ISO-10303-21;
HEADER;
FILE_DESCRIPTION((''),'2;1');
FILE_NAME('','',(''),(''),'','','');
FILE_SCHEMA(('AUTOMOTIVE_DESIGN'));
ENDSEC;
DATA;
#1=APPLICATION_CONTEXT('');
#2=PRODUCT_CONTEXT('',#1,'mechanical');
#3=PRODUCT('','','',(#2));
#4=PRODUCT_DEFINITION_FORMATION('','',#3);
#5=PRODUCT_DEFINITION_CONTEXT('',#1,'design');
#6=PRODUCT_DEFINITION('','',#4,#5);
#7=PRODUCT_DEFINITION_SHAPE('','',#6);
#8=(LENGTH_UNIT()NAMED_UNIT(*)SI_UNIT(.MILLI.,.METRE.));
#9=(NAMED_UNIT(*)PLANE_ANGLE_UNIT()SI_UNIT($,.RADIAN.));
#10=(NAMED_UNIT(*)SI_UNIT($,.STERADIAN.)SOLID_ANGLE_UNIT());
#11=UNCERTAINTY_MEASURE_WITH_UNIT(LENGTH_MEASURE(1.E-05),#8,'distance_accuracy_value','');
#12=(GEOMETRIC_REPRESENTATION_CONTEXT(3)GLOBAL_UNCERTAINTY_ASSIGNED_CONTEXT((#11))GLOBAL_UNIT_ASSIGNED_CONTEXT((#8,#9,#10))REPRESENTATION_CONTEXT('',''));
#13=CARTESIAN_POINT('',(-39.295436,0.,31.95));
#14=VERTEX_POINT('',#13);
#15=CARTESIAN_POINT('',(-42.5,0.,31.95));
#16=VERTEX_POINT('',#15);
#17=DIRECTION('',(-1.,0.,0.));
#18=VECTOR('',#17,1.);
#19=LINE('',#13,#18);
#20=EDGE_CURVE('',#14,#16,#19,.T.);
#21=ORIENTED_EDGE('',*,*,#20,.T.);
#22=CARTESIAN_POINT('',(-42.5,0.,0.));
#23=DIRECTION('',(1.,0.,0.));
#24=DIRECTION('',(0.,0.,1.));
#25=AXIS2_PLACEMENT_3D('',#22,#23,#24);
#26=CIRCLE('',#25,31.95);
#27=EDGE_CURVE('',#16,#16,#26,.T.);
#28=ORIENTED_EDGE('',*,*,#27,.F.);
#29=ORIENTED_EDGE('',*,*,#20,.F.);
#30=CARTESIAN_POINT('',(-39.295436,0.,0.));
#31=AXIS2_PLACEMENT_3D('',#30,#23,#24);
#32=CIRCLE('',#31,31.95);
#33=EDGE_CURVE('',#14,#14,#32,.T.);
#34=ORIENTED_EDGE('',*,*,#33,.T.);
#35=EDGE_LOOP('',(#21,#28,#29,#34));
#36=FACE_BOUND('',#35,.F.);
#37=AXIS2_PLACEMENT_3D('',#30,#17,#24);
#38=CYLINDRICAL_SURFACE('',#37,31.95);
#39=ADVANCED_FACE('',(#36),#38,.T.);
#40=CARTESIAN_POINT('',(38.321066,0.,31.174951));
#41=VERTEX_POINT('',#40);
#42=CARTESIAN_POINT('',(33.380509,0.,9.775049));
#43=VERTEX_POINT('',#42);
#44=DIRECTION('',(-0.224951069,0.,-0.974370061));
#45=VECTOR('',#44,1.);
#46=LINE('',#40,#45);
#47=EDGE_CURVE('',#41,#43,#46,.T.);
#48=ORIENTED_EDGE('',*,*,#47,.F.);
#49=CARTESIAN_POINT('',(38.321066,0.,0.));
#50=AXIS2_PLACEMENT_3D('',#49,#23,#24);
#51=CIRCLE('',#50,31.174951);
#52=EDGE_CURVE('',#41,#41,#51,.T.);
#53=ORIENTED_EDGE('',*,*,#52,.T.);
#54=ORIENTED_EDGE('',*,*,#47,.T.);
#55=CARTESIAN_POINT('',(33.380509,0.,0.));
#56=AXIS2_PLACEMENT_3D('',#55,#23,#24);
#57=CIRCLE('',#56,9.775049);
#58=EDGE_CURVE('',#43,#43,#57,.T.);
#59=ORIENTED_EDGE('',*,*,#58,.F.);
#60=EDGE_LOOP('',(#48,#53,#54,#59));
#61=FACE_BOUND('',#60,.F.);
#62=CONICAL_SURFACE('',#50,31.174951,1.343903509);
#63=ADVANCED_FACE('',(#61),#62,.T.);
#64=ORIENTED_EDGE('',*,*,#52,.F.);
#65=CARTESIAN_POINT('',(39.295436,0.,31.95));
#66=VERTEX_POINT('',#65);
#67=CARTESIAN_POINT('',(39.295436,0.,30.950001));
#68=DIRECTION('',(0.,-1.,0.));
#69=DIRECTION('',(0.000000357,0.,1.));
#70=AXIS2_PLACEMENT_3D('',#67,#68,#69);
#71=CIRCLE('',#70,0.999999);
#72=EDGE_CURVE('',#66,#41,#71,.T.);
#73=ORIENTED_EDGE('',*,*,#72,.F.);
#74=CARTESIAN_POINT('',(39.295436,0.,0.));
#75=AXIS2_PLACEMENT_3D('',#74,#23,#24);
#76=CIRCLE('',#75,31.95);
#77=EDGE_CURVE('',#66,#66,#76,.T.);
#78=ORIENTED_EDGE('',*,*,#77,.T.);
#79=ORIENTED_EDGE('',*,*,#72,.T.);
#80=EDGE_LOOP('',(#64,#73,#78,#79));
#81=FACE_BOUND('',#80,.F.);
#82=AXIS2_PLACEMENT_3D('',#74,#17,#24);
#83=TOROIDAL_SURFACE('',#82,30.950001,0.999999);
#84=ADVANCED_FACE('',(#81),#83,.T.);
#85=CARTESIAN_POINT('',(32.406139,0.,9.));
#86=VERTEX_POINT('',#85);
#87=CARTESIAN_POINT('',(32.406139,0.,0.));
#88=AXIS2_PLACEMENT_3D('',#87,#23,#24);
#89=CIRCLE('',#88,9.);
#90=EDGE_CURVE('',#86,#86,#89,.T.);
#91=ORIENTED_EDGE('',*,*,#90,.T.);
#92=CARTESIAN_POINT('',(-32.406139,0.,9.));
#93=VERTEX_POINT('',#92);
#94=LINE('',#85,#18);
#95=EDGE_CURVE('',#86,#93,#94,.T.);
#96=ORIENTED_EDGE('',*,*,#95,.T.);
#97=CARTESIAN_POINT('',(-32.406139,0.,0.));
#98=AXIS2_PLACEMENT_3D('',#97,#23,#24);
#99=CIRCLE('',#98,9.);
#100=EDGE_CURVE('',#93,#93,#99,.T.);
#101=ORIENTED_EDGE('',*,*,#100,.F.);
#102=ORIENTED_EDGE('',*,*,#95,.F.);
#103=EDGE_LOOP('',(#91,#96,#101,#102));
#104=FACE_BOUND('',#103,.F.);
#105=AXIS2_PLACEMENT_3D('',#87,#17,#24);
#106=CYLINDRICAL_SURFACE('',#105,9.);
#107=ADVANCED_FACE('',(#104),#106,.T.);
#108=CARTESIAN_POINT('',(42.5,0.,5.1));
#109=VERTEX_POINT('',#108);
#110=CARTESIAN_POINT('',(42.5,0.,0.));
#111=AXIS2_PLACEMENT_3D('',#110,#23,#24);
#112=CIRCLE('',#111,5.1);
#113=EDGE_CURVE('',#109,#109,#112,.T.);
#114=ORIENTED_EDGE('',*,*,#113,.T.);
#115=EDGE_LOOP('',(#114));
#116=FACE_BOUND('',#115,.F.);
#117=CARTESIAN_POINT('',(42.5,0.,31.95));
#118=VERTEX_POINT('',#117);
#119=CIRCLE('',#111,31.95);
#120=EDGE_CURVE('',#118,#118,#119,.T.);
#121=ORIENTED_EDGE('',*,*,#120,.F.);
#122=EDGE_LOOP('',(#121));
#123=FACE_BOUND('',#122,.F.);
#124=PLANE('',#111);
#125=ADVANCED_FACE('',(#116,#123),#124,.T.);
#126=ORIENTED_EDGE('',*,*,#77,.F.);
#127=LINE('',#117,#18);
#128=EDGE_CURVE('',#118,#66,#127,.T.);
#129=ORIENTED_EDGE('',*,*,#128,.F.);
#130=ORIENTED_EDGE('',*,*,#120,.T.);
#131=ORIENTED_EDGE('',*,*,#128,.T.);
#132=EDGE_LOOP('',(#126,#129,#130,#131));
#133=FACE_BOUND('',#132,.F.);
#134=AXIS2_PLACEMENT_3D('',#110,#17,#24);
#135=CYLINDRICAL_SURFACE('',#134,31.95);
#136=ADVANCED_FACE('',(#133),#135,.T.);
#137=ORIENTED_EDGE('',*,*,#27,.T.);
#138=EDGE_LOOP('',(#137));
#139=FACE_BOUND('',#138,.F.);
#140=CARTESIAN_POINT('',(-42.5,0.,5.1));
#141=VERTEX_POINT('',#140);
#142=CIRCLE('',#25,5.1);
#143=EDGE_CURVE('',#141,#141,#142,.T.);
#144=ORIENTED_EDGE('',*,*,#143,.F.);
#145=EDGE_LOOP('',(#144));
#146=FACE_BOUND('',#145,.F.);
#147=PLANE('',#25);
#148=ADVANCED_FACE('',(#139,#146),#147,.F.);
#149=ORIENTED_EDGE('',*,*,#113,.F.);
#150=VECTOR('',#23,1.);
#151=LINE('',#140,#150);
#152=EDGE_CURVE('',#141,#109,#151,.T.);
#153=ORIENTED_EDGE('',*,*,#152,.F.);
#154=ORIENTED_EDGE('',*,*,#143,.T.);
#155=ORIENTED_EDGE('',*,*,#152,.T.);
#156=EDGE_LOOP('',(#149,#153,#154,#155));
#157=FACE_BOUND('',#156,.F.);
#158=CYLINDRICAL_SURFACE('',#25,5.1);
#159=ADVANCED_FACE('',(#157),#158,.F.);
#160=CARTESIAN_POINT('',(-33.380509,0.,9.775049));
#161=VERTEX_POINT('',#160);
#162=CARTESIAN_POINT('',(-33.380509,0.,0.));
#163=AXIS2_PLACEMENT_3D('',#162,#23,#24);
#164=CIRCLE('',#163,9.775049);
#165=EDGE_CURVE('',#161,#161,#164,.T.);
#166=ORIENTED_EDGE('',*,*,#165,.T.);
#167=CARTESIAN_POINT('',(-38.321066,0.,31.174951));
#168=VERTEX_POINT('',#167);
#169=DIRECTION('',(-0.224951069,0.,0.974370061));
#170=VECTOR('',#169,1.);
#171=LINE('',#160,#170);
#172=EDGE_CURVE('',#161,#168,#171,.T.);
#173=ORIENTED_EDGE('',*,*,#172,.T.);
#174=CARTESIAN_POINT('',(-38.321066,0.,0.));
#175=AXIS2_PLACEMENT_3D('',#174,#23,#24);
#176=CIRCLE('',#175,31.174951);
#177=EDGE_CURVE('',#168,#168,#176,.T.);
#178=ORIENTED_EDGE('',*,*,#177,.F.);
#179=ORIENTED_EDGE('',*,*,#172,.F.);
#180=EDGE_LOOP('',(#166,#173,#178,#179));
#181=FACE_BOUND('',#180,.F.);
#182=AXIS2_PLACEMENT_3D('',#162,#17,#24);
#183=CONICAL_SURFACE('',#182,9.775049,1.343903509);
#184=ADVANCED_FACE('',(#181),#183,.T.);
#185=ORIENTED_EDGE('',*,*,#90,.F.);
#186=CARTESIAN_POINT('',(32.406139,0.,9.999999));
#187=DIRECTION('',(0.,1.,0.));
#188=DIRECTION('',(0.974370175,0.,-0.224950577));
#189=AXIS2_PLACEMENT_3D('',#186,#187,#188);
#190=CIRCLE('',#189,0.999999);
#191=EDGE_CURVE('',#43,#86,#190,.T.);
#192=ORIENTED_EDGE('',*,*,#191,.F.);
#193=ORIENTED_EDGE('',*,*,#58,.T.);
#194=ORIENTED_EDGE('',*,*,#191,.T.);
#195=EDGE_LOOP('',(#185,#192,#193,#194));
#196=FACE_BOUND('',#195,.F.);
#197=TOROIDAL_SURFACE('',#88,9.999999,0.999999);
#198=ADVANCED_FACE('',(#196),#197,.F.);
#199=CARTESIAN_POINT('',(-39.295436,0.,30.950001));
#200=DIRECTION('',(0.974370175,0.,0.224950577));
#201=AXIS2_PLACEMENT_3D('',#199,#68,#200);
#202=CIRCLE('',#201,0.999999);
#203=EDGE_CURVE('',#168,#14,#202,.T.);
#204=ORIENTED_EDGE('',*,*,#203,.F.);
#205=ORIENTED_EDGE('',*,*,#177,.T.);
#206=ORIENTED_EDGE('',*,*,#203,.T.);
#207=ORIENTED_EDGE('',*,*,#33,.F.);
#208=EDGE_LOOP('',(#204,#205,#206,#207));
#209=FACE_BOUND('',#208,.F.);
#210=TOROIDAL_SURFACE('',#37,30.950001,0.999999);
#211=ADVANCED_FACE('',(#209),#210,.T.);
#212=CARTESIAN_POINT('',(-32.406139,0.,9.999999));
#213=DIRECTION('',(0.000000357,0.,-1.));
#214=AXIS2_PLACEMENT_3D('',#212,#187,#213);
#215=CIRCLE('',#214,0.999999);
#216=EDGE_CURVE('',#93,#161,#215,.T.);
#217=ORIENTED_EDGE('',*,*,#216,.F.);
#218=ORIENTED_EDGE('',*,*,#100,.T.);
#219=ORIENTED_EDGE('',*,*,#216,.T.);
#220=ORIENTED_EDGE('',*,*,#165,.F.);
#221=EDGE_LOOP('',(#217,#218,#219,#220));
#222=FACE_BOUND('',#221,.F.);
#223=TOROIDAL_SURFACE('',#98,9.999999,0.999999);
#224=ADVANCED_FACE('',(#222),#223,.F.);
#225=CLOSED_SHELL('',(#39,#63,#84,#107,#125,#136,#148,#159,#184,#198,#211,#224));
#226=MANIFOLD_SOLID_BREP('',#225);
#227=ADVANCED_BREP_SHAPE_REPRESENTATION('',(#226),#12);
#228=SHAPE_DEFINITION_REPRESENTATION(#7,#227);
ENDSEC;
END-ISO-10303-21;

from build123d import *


with BuildPart() as f1:
    # F0 (on Front) → F1 (revolve)
    with BuildSketch(Plane.XZ):
        with BuildLine():
            Line((0, 5.1), (42.5, 5.1))
            Line((42.5, 5.1), (42.5, 31.95))
            Line((42.5, 31.95), (39.295436, 31.95))
            ThreePointArc((39.295436, 31.95), (38.672921, 31.732608), (38.321066, 31.174951))
            Line((38.321066, 31.174951), (33.380509, 9.775049))
            ThreePointArc((33.380509, 9.775049), (33.028654, 9.217392), (32.406139, 9))
            Line((32.406139, 9), (0, 9))
            Line((0, 9), (-32.406139, 9))
            ThreePointArc((-32.406139, 9), (-33.028654, 9.217392), (-33.380509, 9.775049))
            Line((-33.380509, 9.775049), (-38.321066, 31.174951))
            ThreePointArc((-38.321066, 31.174951), (-38.672921, 31.732608), (-39.295436, 31.95))
            Line((-39.295436, 31.95), (-42.5, 31.95))
            Line((-42.5, 31.95), (-42.5, 5.1))
            Line((-42.5, 5.1), (0, 5.1))
        make_face()
    revolve(axis=Axis((21.25, 0, 0), (1, 0, 0)))


solid = f1.part
